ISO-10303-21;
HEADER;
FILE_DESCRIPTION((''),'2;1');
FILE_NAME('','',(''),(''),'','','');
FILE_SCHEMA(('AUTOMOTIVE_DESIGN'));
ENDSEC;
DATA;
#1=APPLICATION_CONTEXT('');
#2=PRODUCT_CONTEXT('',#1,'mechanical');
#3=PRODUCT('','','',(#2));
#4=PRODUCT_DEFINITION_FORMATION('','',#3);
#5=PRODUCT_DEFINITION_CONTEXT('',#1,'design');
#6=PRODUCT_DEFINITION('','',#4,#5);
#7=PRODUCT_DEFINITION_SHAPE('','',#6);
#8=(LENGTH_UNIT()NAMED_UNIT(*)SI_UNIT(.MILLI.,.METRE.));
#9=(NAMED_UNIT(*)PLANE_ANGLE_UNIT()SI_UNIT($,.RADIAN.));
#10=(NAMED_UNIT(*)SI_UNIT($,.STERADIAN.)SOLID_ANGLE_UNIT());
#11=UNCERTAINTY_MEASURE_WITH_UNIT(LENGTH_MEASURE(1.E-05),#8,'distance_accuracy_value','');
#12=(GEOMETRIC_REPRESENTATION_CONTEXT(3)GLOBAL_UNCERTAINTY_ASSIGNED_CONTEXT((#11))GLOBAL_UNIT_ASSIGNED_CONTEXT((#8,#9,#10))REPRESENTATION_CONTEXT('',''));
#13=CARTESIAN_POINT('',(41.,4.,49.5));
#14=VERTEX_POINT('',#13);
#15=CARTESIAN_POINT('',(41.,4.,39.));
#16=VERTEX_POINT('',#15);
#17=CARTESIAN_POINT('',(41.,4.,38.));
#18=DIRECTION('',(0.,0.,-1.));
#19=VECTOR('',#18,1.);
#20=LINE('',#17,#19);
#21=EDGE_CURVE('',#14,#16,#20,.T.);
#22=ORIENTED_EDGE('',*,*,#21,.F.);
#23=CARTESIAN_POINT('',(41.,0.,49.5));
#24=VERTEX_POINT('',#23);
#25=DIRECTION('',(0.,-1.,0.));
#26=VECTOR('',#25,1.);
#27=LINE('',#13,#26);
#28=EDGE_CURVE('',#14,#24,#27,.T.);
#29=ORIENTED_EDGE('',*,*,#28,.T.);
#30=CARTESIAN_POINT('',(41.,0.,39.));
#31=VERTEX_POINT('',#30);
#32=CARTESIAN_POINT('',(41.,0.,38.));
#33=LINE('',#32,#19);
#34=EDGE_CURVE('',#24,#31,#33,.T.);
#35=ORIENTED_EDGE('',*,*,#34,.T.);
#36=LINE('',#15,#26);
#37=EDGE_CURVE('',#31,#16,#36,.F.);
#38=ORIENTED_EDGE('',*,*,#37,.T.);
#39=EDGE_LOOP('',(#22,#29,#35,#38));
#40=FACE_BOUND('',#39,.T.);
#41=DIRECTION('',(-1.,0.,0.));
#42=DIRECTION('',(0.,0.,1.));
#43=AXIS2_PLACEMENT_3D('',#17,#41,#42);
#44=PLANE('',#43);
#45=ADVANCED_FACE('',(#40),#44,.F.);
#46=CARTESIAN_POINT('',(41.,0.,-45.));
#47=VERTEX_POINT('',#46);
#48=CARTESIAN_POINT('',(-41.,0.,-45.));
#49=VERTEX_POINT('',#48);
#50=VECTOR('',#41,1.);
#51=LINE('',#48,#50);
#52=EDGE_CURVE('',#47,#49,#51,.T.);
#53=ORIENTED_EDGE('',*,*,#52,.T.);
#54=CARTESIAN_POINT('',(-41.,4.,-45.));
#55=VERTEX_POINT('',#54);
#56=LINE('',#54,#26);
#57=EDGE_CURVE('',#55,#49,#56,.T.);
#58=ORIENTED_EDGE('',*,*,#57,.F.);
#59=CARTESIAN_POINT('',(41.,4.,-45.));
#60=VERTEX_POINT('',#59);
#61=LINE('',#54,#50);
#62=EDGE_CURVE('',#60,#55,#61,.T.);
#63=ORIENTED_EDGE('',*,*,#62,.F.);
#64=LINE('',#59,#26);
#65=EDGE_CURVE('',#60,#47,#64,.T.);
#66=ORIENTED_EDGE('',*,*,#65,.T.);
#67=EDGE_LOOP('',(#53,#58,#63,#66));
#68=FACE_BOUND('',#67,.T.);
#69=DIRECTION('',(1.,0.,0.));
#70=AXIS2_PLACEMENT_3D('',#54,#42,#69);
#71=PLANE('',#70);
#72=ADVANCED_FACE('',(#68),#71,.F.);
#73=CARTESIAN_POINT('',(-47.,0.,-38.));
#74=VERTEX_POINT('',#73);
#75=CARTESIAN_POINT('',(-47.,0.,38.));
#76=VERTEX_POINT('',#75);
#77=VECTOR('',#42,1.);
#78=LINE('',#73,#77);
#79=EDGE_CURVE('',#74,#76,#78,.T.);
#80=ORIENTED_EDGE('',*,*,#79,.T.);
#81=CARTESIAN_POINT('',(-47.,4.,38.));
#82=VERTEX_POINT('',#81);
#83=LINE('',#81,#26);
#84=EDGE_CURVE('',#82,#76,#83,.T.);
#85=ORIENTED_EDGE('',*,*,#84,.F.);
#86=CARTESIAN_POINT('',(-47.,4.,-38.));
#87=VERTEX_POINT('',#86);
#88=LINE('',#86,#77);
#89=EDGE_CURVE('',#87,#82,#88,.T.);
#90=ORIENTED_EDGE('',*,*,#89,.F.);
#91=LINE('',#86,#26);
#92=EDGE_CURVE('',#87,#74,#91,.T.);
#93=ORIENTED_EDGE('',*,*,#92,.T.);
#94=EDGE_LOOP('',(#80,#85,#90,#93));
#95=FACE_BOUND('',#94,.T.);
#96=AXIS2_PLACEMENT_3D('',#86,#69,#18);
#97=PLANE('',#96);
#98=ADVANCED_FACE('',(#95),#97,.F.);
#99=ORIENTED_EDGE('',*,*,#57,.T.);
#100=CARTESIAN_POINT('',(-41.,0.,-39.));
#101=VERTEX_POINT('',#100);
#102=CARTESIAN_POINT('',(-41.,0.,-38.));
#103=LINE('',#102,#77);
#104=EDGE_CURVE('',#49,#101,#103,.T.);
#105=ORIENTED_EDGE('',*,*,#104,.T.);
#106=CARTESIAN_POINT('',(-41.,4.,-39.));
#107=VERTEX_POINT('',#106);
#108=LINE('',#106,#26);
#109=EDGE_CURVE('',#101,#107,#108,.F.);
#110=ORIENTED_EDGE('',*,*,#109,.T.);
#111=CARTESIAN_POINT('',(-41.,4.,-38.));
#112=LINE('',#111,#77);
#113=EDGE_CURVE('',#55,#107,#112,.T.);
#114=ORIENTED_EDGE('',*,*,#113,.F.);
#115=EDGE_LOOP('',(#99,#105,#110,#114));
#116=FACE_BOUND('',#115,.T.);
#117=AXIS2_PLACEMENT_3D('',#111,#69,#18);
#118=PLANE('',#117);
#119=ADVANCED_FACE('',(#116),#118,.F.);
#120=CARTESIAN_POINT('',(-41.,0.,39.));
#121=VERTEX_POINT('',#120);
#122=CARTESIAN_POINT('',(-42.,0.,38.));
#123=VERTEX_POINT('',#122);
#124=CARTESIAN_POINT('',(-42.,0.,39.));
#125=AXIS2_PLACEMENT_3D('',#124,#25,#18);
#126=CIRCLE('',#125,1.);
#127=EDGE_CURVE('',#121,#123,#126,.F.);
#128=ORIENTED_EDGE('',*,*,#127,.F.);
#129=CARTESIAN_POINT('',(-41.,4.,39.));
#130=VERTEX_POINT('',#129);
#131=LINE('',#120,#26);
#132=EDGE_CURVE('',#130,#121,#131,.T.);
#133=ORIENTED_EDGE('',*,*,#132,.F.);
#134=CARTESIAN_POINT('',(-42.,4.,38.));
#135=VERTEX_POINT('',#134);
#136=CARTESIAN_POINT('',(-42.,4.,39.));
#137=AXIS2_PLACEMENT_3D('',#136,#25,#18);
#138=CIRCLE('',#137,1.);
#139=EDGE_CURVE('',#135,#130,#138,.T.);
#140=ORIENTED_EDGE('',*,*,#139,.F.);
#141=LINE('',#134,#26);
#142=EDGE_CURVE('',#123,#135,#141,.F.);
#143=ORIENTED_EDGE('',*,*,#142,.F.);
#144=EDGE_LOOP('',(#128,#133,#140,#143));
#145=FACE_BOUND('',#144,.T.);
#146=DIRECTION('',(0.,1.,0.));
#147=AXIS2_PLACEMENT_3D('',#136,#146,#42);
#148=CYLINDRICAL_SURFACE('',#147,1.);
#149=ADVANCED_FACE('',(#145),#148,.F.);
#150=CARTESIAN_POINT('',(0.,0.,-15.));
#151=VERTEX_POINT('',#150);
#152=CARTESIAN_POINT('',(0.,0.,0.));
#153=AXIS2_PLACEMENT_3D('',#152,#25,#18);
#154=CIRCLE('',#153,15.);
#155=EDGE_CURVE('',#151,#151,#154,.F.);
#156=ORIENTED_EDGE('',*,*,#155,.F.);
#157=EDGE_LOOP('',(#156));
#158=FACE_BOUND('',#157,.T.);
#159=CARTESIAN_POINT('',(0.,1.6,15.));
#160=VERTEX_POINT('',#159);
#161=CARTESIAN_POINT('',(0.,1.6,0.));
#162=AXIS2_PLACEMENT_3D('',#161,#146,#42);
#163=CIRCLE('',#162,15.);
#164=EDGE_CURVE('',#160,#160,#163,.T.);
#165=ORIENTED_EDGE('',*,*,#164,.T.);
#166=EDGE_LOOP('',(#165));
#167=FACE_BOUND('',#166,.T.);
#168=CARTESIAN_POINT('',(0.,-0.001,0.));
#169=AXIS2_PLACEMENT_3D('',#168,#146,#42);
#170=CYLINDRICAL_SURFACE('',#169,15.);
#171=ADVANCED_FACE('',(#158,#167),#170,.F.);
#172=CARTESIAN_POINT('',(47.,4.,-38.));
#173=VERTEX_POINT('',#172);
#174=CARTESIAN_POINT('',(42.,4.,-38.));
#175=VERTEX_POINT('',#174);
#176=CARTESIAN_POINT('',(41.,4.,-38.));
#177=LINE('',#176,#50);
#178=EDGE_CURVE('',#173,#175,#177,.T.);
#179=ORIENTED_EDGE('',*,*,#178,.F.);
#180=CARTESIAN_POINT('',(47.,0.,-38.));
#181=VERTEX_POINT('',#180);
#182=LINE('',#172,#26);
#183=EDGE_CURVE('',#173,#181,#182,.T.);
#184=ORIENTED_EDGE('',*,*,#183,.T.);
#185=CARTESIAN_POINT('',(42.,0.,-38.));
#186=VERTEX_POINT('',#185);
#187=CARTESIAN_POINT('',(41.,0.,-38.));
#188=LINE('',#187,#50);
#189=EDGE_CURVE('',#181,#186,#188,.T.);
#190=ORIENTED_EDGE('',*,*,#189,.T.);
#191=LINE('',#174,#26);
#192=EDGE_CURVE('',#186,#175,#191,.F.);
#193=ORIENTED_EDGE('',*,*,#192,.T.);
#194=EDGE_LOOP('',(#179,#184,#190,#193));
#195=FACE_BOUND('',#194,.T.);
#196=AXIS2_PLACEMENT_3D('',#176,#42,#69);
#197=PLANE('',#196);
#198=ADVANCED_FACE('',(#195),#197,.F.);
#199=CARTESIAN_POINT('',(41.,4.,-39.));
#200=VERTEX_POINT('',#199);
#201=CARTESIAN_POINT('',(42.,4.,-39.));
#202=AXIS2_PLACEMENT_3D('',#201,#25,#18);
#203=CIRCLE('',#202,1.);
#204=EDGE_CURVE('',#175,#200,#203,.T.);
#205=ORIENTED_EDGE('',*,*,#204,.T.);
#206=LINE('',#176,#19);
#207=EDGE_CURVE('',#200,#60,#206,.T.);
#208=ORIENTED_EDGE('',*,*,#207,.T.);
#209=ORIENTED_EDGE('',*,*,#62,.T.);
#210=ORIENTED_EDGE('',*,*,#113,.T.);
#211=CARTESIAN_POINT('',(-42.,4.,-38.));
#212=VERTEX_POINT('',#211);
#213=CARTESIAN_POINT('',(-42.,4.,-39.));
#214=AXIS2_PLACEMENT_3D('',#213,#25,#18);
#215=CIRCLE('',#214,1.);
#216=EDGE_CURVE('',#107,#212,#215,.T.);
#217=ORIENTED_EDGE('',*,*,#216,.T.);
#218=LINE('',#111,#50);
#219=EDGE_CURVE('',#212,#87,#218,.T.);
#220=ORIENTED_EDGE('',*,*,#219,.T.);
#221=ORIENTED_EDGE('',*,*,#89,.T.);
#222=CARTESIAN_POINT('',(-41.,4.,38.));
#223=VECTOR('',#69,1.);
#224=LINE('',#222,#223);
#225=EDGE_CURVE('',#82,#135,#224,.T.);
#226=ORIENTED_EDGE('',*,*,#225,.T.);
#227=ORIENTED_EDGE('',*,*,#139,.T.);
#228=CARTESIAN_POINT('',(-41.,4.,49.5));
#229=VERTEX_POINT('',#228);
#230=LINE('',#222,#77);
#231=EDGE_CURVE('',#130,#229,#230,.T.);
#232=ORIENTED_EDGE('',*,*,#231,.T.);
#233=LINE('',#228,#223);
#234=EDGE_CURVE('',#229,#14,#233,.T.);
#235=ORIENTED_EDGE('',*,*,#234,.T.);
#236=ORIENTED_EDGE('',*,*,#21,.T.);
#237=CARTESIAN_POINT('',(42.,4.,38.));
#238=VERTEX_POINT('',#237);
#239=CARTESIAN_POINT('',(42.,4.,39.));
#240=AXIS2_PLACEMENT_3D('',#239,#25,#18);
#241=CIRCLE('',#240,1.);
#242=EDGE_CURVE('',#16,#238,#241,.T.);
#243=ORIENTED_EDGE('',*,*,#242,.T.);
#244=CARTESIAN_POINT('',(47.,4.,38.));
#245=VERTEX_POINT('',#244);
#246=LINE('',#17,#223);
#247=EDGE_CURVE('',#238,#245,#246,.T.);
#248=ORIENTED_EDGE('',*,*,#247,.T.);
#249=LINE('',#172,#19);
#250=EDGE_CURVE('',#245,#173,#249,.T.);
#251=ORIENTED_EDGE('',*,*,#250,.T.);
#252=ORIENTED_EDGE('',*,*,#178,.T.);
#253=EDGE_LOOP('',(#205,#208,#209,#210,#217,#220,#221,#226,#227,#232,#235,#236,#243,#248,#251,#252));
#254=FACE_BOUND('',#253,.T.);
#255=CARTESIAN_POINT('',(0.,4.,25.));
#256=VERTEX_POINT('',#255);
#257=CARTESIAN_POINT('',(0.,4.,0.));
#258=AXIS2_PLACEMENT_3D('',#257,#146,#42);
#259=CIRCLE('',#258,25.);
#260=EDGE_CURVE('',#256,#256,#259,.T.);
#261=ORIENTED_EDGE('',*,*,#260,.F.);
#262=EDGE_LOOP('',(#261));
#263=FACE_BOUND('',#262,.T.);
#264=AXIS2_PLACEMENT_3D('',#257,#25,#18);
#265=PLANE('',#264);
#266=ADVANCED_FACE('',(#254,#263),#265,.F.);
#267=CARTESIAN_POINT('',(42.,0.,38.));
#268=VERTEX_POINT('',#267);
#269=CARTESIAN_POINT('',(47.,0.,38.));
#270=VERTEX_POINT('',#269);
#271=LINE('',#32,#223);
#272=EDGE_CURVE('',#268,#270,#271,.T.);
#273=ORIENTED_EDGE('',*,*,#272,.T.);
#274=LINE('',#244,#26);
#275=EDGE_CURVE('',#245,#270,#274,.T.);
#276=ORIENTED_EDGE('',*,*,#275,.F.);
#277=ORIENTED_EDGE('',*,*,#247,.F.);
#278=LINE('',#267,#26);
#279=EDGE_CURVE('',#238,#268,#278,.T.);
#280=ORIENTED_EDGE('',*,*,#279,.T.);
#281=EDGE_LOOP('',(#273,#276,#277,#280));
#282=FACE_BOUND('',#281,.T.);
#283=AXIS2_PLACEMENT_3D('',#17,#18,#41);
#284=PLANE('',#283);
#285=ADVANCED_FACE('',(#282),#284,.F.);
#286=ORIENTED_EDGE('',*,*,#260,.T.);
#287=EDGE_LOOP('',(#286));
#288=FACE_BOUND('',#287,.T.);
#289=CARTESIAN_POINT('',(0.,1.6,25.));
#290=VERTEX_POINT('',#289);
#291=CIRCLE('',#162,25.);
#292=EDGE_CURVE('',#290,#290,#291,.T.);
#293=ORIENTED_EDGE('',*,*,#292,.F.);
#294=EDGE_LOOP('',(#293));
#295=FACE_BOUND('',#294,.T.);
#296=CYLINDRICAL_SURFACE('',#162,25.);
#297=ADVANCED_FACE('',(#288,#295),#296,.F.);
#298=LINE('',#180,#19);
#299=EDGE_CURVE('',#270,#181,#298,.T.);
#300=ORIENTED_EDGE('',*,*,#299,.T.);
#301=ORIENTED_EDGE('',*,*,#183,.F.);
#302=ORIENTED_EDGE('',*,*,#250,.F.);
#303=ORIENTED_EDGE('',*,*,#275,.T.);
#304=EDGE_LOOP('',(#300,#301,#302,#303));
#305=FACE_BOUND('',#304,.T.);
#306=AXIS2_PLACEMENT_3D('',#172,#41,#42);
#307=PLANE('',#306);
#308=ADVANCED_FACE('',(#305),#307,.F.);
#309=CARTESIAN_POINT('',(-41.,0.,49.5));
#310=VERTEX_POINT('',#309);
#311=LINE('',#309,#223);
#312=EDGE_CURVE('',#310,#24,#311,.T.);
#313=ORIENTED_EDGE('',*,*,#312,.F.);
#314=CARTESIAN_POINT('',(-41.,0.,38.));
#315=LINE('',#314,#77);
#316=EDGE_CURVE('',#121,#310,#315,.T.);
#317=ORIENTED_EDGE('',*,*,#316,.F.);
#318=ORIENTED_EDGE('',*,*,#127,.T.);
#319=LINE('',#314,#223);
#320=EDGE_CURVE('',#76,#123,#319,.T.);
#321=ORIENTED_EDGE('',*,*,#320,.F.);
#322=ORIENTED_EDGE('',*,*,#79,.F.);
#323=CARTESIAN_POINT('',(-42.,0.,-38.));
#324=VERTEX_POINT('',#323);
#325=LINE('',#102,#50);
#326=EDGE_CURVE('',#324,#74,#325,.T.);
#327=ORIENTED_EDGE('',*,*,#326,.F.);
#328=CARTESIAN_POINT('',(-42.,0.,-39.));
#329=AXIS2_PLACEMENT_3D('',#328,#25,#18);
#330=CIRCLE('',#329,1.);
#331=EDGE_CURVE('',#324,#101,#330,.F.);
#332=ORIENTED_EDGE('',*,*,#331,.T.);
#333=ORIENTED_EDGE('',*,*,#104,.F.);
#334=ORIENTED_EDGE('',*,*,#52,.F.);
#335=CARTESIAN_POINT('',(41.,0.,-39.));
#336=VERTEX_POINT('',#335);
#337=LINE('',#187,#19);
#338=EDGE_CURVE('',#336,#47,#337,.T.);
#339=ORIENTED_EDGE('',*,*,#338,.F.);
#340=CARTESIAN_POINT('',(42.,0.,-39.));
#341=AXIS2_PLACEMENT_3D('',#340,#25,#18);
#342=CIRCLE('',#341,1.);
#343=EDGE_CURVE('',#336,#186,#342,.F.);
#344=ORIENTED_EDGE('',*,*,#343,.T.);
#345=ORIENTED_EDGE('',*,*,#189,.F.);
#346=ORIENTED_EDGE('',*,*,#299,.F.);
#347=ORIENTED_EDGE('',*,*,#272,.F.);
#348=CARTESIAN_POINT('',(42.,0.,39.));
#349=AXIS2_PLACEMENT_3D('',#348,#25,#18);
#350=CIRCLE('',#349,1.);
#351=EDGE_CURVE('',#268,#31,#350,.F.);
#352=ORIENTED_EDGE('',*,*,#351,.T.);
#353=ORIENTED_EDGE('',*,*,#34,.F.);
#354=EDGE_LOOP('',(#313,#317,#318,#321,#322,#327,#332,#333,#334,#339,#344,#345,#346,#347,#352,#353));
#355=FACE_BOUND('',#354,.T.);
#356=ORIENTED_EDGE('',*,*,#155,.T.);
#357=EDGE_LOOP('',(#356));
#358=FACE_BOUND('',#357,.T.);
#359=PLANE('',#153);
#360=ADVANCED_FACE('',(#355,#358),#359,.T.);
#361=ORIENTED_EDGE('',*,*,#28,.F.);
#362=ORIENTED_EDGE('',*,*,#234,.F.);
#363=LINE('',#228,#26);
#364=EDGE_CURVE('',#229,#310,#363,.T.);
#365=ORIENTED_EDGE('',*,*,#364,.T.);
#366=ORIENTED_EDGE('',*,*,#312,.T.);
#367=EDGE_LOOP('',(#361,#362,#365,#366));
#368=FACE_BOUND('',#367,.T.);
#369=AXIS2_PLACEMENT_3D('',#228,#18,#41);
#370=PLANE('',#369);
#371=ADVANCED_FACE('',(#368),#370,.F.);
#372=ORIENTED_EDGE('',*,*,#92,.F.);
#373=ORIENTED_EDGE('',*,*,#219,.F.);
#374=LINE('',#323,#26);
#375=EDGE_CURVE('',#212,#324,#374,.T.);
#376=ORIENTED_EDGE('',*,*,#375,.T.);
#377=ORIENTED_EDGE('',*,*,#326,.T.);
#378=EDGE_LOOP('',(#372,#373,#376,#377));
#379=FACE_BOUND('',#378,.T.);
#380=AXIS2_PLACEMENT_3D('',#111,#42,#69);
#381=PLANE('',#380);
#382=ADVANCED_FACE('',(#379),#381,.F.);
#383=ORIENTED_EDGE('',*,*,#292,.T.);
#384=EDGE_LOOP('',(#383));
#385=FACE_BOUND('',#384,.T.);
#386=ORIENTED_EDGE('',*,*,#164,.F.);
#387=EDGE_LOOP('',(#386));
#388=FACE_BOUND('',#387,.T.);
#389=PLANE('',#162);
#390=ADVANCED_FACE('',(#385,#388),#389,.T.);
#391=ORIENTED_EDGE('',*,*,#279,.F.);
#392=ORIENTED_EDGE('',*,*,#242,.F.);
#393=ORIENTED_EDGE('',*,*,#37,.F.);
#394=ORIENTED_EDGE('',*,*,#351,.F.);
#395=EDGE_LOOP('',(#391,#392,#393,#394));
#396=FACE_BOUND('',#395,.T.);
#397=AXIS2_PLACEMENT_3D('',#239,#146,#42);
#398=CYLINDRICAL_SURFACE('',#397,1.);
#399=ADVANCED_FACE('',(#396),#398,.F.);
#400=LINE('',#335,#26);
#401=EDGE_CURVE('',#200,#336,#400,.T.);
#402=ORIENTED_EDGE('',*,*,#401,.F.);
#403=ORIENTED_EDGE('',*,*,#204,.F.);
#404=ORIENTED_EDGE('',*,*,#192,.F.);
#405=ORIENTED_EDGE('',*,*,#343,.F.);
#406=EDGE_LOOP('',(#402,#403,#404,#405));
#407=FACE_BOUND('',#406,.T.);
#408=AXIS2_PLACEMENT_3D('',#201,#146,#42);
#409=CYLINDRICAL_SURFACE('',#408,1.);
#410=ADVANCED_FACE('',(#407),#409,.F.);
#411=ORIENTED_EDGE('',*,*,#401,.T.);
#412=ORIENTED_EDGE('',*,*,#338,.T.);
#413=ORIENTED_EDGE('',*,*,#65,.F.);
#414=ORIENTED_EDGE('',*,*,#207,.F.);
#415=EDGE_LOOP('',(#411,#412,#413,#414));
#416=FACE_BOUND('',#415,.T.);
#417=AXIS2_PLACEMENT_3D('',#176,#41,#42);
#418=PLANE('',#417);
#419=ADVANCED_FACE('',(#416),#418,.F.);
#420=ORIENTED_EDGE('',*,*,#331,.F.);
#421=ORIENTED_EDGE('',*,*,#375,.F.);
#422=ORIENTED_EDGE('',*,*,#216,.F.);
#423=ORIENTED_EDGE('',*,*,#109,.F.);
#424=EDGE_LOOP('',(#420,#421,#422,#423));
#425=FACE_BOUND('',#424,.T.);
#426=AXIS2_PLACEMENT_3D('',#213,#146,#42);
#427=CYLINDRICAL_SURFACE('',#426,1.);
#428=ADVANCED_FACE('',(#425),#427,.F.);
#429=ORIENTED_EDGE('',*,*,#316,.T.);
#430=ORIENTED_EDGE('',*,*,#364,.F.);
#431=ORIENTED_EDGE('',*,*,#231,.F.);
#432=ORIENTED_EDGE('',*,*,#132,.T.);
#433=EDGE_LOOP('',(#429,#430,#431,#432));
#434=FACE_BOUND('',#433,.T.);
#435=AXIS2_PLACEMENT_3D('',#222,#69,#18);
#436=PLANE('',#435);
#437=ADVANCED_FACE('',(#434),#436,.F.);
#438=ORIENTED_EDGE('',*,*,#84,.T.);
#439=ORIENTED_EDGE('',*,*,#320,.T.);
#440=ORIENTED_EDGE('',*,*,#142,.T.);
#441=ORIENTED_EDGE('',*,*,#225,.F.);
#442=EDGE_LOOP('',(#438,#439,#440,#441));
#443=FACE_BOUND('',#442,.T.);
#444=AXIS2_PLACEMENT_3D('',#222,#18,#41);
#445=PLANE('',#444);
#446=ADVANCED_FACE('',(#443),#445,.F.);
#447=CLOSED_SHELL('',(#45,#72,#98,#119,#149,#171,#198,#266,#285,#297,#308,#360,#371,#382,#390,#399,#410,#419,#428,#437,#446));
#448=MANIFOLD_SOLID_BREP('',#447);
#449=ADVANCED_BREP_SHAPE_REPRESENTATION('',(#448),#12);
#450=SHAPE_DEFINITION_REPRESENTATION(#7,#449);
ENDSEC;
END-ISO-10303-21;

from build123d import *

# Parameters (mm, degrees)
BOSS_EXTRUDE1_DEPTH = 4
CUT_EXTRUDE1_REACH  = 70.376
SKETCH2_R           = 15
FILLET1_R           = 1
SKETCH4_R           = 25
SKETCH4_R_2         = 15
CUT_EXTRUDE2_DEPTH  = 2.4


with BuildPart() as part:
    # Sketch1 → Boss-Extrude1 (new body)
    with BuildSketch(Plane(origin=(0, 0, 0), x_dir=(1, 0, 0), z_dir=(0, 1, 0))):
        Polygon((-41, 38), (-41, 45), (41, 45), (41, 38), (47, 38), (47, -38), (41, -38), (41, -49.5), (-41, -49.5), (-41, -38), (-47, -38), (-47, 38), align=None)
    extrude(amount=BOSS_EXTRUDE1_DEPTH)

    # Sketch2 → Cut-Extrude1 (cut, up to next)
    with BuildSketch(Plane(origin=(0, 4, 0), x_dir=(1, 0, 0), z_dir=(0, 1, 0)), mode=Mode.PRIVATE) as cut_extrude1_sk1:
        with Locations(Location((0, 0, 0), (0, 0, 270))):
            Circle(SKETCH2_R)
    cut_extrude1_tool1 = extrude(cut_extrude1_sk1.sketch, amount=-CUT_EXTRUDE1_REACH, mode=Mode.PRIVATE) & part.part
    add(cut_extrude1_tool1.solids().sort_by_distance((0, 4, 0))[0], mode=Mode.SUBTRACT)

    # Fillet1
    fillet1_edges = [part.edges().sort_by_distance(p)[0] for p in [
        (41, 2, 38),
        (-41, 2, 38),
        (-41, 2, -38),
        (41, 2, -38),
    ]]
    fillet(fillet1_edges, radius=FILLET1_R)

    # Sketch4 → Cut-Extrude2 (cut)
    with BuildSketch(Plane(origin=(0, 4, 0), x_dir=(1, 0, 0), z_dir=(0, 1, 0))):
        with Locations(Location((0, 0, 0), (0, 0, 270))):
            Circle(SKETCH4_R)
        with Locations(Location((0, 0, 0), (0, 0, 270))):
            Circle(SKETCH4_R_2, mode=Mode.SUBTRACT)
    extrude(amount=-CUT_EXTRUDE2_DEPTH, mode=Mode.SUBTRACT)


solid = part.part
